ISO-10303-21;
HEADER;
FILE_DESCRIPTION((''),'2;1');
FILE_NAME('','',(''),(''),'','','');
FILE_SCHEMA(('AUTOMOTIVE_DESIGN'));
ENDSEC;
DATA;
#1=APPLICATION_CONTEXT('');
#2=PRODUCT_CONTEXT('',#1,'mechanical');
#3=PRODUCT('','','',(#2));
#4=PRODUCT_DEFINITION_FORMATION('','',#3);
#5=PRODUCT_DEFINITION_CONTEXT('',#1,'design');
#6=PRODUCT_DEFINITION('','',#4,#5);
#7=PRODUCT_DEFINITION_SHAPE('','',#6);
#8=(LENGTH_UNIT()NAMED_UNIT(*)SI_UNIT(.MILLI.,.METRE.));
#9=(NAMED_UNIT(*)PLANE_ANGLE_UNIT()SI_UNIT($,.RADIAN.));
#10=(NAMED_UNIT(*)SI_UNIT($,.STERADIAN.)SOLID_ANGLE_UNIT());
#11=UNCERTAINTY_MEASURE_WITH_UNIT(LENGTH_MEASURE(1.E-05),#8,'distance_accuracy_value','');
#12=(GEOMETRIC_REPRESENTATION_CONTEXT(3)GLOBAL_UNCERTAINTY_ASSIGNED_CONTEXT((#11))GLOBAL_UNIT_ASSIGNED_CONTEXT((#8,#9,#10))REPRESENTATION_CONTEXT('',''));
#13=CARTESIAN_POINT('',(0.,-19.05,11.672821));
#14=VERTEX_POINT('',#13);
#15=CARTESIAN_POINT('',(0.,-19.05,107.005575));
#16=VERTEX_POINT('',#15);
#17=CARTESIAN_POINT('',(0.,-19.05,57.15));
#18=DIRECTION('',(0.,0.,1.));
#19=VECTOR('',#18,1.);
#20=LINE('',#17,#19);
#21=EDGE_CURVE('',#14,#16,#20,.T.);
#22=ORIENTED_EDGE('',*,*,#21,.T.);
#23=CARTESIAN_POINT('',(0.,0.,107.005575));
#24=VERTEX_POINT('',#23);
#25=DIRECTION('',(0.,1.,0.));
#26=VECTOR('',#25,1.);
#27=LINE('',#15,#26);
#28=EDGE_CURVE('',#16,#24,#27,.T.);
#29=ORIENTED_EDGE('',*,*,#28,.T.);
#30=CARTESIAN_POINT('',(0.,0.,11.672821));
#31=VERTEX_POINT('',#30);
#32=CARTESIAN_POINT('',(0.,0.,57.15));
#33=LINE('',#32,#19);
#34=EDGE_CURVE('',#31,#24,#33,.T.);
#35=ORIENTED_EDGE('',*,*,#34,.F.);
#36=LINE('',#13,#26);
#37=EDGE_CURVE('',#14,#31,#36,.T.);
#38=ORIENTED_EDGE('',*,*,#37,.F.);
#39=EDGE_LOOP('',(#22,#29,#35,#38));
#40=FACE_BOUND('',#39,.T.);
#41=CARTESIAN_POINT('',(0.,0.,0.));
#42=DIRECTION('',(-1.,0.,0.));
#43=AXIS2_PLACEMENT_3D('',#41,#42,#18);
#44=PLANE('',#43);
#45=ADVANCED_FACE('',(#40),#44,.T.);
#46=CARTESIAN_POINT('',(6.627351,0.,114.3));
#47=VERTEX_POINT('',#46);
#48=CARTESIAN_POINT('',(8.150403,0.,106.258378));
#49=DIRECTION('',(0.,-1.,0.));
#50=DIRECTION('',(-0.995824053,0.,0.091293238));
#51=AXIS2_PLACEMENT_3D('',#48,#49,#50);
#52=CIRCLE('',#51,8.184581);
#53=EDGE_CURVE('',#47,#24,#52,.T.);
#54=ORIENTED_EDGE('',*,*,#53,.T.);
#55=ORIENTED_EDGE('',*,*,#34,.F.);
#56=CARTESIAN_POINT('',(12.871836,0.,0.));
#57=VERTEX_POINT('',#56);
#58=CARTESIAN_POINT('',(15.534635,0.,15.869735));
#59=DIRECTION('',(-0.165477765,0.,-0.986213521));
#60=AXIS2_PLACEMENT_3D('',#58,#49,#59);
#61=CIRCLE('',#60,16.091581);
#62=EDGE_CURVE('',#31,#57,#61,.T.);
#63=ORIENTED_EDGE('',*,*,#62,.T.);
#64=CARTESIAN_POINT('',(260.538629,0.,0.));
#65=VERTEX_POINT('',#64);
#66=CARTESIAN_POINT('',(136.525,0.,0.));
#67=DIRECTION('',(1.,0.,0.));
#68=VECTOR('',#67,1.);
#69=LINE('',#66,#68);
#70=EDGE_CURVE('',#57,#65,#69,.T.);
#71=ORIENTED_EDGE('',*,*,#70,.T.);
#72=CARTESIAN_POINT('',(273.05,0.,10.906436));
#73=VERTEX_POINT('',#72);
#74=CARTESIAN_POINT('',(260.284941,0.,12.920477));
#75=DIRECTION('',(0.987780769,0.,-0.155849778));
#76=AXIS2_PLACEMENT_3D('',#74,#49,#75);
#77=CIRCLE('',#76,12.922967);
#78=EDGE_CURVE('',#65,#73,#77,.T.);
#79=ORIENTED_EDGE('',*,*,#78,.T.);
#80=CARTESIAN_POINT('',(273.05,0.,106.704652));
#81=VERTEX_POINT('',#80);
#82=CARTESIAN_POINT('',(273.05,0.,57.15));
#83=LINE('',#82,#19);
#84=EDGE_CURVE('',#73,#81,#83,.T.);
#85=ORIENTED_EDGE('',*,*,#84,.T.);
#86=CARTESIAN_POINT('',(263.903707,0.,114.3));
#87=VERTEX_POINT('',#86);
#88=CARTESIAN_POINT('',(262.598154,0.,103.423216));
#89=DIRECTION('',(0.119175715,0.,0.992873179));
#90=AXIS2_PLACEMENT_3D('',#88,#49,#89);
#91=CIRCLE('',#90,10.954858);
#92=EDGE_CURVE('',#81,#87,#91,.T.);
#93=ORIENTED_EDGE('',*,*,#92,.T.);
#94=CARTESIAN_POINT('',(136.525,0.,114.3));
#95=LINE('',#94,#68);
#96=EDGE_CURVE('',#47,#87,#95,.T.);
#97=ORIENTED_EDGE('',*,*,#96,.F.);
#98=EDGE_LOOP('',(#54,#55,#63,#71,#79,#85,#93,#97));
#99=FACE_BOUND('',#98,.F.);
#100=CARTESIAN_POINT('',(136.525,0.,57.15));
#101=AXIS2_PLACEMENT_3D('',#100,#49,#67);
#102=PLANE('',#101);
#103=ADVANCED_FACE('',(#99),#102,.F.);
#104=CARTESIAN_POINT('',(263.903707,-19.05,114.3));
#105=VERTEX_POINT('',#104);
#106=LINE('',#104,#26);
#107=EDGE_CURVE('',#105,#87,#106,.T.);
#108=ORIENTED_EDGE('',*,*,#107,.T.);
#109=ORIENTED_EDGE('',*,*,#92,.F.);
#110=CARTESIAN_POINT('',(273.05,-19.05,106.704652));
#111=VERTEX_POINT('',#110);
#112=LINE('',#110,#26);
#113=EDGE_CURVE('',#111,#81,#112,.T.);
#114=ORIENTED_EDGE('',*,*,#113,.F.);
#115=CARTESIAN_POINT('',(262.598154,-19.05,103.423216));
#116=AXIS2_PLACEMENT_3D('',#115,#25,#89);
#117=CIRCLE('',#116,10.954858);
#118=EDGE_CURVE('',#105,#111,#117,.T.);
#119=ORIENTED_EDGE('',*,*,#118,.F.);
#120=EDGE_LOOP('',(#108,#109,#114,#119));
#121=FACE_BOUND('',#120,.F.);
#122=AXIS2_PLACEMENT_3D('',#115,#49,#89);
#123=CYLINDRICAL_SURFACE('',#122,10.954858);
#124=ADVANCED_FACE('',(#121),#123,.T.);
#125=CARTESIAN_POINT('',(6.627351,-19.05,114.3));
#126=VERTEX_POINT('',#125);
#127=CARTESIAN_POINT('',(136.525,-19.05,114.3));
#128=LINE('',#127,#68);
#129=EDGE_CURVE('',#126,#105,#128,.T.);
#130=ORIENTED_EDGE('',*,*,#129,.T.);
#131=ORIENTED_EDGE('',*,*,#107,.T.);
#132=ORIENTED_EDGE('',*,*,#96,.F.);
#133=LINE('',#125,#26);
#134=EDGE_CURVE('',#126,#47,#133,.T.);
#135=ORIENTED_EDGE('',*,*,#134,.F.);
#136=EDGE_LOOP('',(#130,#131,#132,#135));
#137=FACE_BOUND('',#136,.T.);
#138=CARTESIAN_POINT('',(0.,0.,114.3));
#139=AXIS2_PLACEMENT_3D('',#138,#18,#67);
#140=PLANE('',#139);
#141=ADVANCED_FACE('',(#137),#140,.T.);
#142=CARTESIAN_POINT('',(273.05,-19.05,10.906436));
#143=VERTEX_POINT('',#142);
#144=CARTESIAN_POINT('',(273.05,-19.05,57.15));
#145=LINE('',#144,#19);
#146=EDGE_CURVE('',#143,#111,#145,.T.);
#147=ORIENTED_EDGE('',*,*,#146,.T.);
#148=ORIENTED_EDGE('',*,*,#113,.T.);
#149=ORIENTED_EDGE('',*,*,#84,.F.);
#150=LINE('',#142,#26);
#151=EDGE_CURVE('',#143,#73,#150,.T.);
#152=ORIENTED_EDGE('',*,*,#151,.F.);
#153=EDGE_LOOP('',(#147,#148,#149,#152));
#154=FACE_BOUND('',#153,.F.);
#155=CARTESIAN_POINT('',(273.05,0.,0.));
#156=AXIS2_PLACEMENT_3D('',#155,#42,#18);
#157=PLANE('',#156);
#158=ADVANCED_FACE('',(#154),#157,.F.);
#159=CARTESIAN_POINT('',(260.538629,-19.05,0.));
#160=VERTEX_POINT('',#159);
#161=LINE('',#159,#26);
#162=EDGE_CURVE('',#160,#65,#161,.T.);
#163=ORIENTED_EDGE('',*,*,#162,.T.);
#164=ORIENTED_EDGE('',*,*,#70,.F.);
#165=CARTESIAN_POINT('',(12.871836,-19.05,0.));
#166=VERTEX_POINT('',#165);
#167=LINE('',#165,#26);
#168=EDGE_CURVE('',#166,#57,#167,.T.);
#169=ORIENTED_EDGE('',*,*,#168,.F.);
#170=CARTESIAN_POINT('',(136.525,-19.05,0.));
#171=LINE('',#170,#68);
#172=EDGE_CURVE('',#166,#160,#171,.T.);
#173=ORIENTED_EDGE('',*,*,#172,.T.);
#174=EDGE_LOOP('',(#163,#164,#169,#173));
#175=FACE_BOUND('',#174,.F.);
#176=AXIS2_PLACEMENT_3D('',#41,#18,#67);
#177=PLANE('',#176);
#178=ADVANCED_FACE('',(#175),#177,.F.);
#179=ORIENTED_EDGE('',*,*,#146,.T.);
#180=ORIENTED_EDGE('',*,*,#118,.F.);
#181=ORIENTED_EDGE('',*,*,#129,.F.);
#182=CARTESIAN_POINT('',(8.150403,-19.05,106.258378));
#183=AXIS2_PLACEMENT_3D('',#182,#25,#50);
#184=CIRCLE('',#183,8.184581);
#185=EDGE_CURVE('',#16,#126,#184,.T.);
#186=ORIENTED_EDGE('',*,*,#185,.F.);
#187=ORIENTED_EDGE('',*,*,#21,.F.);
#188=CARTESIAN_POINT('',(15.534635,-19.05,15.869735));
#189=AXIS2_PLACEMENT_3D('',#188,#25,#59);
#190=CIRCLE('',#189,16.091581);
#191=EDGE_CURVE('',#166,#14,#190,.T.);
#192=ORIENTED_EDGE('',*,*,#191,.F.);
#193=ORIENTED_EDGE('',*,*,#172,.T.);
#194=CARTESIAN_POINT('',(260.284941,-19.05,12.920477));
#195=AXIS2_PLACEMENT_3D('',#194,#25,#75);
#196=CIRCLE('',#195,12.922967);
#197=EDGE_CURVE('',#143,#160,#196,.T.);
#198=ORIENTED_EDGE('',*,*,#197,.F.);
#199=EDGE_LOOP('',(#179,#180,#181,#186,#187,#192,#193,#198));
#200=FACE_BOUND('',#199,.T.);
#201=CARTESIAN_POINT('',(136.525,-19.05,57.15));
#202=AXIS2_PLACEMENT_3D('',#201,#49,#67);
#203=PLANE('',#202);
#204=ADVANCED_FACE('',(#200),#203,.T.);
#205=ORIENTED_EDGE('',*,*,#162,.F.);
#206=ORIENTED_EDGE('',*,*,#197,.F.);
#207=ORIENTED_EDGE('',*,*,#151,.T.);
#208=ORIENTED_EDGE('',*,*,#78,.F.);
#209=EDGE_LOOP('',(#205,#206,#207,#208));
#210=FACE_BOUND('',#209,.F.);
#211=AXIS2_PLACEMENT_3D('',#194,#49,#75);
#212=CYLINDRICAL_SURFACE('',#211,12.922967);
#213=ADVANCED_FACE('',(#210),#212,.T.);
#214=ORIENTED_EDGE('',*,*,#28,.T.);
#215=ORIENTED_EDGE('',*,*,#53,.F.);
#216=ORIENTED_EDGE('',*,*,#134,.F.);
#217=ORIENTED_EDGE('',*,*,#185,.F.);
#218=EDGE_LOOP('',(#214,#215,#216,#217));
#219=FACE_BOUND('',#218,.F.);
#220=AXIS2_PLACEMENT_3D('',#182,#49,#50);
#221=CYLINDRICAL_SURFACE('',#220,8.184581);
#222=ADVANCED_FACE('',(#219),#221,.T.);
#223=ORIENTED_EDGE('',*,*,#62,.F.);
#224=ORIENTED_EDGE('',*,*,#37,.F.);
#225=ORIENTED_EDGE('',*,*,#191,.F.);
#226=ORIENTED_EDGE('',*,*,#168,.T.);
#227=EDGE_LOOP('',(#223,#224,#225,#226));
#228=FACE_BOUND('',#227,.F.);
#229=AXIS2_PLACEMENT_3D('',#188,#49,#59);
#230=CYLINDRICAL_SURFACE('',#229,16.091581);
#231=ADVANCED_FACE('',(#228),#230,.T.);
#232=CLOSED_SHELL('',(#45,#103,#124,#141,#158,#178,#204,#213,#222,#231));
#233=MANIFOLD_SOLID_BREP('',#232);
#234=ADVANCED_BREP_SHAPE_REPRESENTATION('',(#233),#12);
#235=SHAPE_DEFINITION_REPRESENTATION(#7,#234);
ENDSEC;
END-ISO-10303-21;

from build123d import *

# Parameters (mm, degrees)
F0_W     = 273.05
F0_H     = 114.3
F1_DEPTH = 19.05
F3_DEPTH = 25.4


with BuildPart() as f1:
    # F0 (on Front) → F1 (new body)
    with BuildSketch(Plane.XZ):
        with Locations((136.525, 57.15)):
            Rectangle(F0_W, F0_H)
    extrude(amount=F1_DEPTH)

    # F2 (on face) → F3 (cut)
    with BuildSketch(Plane.XZ.offset(19.05)):
        with BuildLine():
            ThreePointArc((0, 107.0055749257), (2.092673074, 111.7621294614), (6.6273510973, 114.3))
            Line((6.6273510973, 114.3), (0, 114.3))
            Line((0, 114.3), (0, 107.0055749257))
        make_face()
        with BuildLine():
            ThreePointArc((12.8718363121, 0), (4.7249016701, 3.9496408033), (0, 11.6728208959))
            Line((0, 11.6728208959), (0, 0))
            Line((0, 0), (12.8718363121, 0))
        make_face()
        with BuildLine():
            Line((273.05, 0), (273.05, 10.9064355493))
            ThreePointArc((273.05, 10.9064355493), (268.7766741331, 3.1791445557), (260.5386294647, 0))
            Line((260.5386294647, 0), (273.05, 0))
        make_face()
        with BuildLine():
            Line((273.05, 114.3), (263.9037072659, 114.3))
            ThreePointArc((263.9037072659, 114.3), (269.5968279196, 111.850995511), (273.05, 106.7046523094))
            Line((273.05, 106.7046523094), (273.05, 114.3))
        make_face()
    extrude(amount=-F3_DEPTH, mode=Mode.SUBTRACT)


solid = f1.part
